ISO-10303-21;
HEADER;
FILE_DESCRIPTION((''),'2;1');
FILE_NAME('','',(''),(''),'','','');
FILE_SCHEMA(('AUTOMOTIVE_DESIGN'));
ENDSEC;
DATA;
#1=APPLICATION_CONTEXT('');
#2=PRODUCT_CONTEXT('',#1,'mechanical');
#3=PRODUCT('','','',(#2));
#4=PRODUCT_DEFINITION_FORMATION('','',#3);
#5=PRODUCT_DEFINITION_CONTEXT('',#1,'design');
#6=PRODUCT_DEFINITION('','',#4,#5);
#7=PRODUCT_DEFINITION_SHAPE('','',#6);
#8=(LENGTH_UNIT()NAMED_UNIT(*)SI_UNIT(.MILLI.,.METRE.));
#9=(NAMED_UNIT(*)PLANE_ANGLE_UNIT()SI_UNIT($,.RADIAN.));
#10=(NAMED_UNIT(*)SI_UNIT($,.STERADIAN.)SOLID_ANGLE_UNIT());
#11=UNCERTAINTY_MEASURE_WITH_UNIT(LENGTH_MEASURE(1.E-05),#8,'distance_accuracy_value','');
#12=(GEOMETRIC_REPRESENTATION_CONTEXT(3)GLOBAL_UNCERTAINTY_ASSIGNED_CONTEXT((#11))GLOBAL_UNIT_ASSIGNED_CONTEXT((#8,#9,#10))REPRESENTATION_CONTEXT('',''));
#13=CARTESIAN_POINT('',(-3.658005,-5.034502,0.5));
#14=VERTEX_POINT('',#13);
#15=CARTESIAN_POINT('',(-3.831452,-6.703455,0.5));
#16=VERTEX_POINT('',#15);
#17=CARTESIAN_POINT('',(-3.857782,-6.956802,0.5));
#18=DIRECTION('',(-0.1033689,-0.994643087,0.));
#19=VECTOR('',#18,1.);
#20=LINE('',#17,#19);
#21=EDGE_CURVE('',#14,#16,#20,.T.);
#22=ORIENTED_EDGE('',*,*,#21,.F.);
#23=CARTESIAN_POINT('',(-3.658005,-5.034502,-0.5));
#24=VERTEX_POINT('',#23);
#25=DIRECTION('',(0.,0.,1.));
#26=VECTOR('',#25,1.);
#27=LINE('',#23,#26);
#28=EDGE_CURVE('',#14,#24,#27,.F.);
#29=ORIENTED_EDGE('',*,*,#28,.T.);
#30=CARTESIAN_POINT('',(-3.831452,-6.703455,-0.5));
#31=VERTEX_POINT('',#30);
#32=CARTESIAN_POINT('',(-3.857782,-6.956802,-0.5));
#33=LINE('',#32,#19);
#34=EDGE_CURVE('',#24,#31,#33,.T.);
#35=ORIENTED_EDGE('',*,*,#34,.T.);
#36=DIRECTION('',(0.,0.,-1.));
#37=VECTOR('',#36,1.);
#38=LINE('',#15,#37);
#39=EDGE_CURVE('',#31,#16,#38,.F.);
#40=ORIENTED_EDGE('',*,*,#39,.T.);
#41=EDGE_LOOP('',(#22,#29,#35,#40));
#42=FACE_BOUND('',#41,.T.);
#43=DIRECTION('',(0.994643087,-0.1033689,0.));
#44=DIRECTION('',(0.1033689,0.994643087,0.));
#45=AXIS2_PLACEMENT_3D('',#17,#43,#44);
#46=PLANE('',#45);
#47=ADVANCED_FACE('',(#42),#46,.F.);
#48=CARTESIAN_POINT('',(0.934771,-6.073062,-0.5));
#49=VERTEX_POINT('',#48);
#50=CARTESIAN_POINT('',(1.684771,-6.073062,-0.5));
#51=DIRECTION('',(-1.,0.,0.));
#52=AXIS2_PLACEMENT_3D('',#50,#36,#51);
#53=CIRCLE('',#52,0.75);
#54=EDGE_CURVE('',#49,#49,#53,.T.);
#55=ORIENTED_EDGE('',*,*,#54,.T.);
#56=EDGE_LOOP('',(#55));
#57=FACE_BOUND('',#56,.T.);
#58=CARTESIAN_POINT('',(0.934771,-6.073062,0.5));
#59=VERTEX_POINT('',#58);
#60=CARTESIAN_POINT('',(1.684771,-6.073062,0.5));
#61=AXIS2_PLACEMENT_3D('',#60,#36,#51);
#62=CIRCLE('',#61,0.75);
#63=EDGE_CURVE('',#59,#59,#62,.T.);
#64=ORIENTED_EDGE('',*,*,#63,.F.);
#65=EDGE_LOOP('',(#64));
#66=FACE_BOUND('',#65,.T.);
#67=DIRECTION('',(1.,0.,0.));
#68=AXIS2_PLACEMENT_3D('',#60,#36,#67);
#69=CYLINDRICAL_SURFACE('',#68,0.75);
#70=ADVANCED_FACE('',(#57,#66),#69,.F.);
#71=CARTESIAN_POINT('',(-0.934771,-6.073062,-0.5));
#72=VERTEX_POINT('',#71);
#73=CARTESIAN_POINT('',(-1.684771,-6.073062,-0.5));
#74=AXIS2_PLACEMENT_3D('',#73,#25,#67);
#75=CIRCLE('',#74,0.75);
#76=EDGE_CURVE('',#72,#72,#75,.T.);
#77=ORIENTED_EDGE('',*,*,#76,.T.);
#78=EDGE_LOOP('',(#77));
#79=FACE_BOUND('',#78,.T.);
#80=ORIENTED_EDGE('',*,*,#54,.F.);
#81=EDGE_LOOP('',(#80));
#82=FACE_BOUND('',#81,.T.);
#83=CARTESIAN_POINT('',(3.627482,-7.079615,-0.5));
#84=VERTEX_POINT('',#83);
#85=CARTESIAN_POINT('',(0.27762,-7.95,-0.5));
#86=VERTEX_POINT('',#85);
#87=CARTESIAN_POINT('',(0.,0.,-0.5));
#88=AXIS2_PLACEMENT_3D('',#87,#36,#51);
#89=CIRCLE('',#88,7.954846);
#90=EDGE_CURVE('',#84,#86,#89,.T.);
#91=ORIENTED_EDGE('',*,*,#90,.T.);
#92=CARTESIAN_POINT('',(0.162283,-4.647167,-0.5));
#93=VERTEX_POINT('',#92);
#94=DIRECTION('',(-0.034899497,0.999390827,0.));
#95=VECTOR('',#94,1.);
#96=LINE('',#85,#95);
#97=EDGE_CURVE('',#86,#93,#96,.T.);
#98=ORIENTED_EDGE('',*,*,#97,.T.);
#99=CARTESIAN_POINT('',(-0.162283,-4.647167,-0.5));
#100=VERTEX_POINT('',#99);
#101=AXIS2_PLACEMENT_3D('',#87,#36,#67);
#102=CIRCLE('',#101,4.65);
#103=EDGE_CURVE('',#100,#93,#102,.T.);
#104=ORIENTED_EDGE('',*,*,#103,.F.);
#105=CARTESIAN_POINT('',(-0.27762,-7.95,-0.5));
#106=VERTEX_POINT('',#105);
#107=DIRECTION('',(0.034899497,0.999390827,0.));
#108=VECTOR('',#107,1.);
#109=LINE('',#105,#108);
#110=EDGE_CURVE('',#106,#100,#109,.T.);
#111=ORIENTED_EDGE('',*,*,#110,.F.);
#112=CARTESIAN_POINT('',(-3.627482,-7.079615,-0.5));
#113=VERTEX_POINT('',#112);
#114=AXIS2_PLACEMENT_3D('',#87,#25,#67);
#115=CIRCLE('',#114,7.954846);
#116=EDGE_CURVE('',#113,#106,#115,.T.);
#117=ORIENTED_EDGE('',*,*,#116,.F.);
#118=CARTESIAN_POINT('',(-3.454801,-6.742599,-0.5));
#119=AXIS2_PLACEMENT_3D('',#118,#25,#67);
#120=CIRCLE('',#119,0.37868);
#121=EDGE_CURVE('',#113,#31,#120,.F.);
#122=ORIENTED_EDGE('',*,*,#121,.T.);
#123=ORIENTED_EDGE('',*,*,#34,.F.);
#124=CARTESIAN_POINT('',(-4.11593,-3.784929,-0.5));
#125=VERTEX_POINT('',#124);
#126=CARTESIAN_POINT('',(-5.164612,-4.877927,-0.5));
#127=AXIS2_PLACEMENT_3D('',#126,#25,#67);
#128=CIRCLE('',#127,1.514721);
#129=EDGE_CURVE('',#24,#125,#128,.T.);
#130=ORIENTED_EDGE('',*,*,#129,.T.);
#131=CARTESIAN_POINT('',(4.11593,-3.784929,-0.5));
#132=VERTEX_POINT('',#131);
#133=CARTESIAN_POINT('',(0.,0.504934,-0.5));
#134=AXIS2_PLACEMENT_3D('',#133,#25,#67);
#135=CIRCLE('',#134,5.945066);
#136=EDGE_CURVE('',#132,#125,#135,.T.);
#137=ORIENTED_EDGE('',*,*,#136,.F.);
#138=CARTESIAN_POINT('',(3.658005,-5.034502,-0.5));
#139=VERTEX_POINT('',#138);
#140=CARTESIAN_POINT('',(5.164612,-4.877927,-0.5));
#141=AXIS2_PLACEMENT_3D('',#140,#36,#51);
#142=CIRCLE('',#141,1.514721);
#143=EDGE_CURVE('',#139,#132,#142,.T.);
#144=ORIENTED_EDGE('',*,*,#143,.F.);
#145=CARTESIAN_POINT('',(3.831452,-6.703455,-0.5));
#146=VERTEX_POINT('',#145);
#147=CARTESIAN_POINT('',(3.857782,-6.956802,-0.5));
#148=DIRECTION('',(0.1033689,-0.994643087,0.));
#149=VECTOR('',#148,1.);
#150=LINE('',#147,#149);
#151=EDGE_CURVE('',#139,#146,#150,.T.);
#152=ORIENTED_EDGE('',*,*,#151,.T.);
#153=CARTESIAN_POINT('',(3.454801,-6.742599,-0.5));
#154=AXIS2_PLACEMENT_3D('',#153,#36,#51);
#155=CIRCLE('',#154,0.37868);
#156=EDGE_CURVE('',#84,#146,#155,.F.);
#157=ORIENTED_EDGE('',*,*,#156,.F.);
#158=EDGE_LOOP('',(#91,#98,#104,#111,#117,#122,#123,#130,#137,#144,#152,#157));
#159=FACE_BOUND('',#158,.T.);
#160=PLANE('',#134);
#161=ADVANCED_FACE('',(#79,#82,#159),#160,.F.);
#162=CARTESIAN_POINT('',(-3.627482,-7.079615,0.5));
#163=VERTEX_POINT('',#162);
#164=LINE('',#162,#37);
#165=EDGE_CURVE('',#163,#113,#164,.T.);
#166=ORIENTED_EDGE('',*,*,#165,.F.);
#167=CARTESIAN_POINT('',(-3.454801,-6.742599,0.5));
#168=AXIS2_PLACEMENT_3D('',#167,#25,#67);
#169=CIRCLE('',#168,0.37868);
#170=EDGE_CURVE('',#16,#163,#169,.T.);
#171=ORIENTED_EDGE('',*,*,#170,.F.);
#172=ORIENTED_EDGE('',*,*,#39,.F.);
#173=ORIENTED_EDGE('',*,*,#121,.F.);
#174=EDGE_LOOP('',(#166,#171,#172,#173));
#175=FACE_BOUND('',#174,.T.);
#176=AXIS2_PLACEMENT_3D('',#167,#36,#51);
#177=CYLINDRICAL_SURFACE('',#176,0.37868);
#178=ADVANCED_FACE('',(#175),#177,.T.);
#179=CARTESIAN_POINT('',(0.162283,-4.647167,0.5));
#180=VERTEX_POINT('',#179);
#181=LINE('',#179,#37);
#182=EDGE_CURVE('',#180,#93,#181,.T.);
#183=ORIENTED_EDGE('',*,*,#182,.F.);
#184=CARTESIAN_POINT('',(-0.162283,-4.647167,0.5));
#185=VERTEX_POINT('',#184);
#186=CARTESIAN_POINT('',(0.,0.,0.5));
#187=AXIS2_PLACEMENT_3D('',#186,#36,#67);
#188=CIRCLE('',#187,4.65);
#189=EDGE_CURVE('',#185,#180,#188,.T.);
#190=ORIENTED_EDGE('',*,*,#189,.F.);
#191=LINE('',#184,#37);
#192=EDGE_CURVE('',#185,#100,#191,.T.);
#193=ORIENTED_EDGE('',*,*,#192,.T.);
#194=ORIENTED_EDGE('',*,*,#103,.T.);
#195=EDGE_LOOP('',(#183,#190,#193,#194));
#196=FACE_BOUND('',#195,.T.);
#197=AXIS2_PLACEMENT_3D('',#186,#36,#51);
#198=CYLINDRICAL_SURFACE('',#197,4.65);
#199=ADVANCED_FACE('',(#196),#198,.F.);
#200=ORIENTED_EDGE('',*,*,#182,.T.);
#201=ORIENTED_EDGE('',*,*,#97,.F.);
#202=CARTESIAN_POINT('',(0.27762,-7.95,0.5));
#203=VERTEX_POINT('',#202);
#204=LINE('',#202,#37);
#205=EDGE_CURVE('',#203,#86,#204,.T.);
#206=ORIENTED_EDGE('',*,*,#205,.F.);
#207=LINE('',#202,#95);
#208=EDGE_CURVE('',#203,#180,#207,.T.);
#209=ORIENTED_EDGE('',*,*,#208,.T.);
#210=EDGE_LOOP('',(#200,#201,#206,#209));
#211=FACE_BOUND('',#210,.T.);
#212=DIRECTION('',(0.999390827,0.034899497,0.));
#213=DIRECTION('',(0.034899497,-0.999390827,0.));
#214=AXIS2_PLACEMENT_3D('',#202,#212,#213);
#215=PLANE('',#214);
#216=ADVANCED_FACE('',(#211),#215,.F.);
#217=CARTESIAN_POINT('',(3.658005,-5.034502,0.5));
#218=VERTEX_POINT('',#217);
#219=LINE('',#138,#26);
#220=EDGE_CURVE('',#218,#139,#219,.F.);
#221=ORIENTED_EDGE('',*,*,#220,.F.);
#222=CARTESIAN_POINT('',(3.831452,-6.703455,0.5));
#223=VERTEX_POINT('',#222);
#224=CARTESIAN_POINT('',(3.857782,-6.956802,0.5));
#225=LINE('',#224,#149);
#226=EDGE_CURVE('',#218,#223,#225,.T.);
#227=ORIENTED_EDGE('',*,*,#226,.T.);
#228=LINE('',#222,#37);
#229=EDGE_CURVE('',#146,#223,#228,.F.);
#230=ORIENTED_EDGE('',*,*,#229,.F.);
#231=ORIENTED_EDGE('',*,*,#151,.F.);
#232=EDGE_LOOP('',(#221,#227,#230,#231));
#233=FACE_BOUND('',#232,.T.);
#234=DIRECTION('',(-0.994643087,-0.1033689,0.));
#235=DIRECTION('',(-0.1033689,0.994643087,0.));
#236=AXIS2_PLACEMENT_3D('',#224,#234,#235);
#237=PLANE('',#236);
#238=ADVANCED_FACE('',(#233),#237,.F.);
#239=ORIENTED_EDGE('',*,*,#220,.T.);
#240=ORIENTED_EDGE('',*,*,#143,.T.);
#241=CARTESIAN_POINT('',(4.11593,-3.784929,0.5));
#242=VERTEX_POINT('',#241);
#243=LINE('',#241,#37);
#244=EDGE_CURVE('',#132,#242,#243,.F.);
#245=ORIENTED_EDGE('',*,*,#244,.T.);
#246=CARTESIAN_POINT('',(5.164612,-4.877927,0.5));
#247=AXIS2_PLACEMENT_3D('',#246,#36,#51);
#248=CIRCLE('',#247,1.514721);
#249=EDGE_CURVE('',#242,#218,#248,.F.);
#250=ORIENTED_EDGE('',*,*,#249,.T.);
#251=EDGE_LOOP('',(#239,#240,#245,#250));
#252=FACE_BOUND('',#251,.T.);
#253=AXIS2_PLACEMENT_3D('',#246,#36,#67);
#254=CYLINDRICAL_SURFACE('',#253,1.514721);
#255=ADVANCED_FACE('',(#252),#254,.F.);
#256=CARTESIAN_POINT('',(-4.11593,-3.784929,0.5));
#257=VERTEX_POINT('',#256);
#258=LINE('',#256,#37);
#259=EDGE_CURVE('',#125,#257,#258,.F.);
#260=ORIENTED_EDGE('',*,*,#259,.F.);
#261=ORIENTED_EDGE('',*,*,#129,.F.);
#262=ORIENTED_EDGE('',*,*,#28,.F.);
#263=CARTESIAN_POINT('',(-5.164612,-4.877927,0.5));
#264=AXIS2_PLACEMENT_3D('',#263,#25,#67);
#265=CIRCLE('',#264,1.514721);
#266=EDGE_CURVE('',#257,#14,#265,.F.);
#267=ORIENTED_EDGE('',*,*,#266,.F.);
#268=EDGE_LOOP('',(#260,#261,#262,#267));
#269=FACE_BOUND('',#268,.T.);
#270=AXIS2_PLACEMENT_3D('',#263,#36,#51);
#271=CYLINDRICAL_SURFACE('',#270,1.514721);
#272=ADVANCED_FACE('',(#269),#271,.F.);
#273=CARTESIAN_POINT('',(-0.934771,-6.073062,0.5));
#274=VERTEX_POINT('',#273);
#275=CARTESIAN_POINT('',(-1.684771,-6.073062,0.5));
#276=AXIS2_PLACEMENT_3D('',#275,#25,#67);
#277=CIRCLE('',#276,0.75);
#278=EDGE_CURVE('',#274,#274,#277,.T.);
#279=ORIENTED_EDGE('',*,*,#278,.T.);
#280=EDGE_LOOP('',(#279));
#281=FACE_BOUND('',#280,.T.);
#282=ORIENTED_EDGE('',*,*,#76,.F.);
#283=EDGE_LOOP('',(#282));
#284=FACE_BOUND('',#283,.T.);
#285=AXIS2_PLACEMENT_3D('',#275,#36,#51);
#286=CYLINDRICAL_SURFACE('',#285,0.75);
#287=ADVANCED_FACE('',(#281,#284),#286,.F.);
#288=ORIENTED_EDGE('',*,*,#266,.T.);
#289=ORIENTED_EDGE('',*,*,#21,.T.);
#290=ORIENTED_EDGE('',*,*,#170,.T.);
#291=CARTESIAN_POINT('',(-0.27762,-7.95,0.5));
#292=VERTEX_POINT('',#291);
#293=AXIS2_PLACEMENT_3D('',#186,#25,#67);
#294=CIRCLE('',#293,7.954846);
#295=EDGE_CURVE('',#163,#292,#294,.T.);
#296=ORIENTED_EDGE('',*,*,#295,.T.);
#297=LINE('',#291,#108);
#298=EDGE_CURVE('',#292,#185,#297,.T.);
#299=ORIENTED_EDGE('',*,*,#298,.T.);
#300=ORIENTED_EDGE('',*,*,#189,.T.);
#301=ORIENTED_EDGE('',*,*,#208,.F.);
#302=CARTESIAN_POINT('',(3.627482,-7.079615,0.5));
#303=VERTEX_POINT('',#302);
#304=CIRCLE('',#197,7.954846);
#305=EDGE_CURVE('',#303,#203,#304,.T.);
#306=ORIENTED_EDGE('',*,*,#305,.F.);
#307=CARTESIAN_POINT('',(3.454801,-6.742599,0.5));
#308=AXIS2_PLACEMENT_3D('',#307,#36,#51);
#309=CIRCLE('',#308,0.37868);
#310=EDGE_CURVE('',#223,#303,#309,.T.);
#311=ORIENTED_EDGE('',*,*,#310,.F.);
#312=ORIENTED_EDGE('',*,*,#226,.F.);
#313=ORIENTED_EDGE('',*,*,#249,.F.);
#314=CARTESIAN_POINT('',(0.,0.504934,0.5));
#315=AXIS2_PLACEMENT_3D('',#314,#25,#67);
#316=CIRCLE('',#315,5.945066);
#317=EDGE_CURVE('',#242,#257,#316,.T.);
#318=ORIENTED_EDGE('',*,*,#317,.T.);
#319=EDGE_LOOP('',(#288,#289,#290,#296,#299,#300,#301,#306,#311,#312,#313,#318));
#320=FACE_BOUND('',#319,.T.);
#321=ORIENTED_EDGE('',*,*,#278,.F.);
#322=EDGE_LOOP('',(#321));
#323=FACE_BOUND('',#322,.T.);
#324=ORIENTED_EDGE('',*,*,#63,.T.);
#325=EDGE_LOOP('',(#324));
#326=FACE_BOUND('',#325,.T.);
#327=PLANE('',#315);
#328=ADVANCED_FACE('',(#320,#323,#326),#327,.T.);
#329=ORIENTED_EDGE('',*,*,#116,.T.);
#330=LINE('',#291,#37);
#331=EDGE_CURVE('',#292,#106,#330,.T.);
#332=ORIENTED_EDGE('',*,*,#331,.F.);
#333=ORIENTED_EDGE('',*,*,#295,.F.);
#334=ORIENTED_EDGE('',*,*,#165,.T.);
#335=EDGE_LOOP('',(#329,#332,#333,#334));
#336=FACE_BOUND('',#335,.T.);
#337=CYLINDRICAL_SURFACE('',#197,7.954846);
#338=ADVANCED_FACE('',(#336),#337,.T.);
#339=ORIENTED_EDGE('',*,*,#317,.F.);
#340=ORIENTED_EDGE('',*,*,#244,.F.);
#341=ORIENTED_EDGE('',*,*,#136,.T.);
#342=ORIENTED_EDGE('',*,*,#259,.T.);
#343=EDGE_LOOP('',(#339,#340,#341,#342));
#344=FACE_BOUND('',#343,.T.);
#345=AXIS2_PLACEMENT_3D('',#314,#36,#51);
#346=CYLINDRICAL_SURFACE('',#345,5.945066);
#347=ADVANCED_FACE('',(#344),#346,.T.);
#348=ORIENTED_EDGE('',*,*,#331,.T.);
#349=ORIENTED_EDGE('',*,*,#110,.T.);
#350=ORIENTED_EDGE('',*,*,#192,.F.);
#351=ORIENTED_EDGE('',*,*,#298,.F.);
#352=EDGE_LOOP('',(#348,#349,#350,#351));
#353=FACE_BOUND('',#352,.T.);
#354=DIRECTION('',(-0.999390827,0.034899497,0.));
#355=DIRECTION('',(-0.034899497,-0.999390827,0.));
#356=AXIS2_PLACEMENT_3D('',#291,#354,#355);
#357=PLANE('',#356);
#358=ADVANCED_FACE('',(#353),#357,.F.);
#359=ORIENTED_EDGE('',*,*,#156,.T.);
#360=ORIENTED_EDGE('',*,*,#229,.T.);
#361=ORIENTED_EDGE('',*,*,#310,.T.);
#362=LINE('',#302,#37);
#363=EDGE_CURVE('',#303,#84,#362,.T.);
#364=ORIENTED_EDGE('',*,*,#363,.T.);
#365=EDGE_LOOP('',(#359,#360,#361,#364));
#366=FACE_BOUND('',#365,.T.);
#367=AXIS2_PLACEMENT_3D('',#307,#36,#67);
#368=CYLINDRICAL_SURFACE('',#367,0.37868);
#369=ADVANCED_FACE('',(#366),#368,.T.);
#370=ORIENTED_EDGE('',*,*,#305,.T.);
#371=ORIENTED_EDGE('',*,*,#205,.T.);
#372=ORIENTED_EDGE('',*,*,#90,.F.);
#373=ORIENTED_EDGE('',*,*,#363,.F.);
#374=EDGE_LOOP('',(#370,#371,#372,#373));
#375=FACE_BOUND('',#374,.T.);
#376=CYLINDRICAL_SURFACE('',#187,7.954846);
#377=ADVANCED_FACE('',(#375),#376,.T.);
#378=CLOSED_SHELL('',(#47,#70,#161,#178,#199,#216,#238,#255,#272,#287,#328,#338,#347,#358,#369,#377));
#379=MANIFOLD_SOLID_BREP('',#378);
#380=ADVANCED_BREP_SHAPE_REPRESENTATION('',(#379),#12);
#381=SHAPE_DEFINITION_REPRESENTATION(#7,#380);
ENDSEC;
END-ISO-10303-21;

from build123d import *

# Parameters (mm, degrees)
SKETCH4_R           = 0.75
BOSS_EXTRUDE1_DEPTH = 0.5
FILLET1_R           = 1.514721005
FILLET2_R           = 0.378680251


with BuildPart() as part:
    # Sketch4 → Boss-Extrude1 (new, symmetric)
    with BuildSketch(Plane.XY):
        with BuildLine():
            Line((-3.857781527, -6.956802039), (-3.575899706, -4.244460071))
            ThreePointArc((-3.575899706, -4.244460071), (-5.638229663, 2.390185537), (0, 6.45))
            Line((0, 6.45), (0, 4.65))
            ThreePointArc((0, 4.65), (-4.649291782, 0.08115369), (-0.16228266, -4.647167346))
            Line((-0.16228266, -4.647167346), (-0.277620117, -7.95))
            ThreePointArc((-0.277620117, -7.95), (-2.126498822, -7.665349026), (-3.857781527, -6.956802039))
        make_face()
        with Locations((-1.684771165, -6.073061915)):
            Circle(SKETCH4_R, mode=Mode.SUBTRACT)
    extrude(amount=BOSS_EXTRUDE1_DEPTH, both=True)

    # Fillet1
    fillet1_edges = [part.edges().sort_by_distance(p)[0] for p in [
        (-3.575899706, -4.244460071, 0),
    ]]
    fillet(fillet1_edges, radius=FILLET1_R)

    # Fillet2
    fillet2_edges = [part.edges().sort_by_distance(p)[0] for p in [
        (-3.857781527, -6.956802039, 0),
    ]]
    fillet(fillet2_edges, radius=FILLET2_R)

    # Mirror1: part across plane


with BuildPart() as part_1:
    add(part.part)
    add(part.part.mirror(Plane(origin=(0, 6.45, 0.5), x_dir=(0, 0, 1), z_dir=(-1, 0, 0))))


solid = part_1.part
